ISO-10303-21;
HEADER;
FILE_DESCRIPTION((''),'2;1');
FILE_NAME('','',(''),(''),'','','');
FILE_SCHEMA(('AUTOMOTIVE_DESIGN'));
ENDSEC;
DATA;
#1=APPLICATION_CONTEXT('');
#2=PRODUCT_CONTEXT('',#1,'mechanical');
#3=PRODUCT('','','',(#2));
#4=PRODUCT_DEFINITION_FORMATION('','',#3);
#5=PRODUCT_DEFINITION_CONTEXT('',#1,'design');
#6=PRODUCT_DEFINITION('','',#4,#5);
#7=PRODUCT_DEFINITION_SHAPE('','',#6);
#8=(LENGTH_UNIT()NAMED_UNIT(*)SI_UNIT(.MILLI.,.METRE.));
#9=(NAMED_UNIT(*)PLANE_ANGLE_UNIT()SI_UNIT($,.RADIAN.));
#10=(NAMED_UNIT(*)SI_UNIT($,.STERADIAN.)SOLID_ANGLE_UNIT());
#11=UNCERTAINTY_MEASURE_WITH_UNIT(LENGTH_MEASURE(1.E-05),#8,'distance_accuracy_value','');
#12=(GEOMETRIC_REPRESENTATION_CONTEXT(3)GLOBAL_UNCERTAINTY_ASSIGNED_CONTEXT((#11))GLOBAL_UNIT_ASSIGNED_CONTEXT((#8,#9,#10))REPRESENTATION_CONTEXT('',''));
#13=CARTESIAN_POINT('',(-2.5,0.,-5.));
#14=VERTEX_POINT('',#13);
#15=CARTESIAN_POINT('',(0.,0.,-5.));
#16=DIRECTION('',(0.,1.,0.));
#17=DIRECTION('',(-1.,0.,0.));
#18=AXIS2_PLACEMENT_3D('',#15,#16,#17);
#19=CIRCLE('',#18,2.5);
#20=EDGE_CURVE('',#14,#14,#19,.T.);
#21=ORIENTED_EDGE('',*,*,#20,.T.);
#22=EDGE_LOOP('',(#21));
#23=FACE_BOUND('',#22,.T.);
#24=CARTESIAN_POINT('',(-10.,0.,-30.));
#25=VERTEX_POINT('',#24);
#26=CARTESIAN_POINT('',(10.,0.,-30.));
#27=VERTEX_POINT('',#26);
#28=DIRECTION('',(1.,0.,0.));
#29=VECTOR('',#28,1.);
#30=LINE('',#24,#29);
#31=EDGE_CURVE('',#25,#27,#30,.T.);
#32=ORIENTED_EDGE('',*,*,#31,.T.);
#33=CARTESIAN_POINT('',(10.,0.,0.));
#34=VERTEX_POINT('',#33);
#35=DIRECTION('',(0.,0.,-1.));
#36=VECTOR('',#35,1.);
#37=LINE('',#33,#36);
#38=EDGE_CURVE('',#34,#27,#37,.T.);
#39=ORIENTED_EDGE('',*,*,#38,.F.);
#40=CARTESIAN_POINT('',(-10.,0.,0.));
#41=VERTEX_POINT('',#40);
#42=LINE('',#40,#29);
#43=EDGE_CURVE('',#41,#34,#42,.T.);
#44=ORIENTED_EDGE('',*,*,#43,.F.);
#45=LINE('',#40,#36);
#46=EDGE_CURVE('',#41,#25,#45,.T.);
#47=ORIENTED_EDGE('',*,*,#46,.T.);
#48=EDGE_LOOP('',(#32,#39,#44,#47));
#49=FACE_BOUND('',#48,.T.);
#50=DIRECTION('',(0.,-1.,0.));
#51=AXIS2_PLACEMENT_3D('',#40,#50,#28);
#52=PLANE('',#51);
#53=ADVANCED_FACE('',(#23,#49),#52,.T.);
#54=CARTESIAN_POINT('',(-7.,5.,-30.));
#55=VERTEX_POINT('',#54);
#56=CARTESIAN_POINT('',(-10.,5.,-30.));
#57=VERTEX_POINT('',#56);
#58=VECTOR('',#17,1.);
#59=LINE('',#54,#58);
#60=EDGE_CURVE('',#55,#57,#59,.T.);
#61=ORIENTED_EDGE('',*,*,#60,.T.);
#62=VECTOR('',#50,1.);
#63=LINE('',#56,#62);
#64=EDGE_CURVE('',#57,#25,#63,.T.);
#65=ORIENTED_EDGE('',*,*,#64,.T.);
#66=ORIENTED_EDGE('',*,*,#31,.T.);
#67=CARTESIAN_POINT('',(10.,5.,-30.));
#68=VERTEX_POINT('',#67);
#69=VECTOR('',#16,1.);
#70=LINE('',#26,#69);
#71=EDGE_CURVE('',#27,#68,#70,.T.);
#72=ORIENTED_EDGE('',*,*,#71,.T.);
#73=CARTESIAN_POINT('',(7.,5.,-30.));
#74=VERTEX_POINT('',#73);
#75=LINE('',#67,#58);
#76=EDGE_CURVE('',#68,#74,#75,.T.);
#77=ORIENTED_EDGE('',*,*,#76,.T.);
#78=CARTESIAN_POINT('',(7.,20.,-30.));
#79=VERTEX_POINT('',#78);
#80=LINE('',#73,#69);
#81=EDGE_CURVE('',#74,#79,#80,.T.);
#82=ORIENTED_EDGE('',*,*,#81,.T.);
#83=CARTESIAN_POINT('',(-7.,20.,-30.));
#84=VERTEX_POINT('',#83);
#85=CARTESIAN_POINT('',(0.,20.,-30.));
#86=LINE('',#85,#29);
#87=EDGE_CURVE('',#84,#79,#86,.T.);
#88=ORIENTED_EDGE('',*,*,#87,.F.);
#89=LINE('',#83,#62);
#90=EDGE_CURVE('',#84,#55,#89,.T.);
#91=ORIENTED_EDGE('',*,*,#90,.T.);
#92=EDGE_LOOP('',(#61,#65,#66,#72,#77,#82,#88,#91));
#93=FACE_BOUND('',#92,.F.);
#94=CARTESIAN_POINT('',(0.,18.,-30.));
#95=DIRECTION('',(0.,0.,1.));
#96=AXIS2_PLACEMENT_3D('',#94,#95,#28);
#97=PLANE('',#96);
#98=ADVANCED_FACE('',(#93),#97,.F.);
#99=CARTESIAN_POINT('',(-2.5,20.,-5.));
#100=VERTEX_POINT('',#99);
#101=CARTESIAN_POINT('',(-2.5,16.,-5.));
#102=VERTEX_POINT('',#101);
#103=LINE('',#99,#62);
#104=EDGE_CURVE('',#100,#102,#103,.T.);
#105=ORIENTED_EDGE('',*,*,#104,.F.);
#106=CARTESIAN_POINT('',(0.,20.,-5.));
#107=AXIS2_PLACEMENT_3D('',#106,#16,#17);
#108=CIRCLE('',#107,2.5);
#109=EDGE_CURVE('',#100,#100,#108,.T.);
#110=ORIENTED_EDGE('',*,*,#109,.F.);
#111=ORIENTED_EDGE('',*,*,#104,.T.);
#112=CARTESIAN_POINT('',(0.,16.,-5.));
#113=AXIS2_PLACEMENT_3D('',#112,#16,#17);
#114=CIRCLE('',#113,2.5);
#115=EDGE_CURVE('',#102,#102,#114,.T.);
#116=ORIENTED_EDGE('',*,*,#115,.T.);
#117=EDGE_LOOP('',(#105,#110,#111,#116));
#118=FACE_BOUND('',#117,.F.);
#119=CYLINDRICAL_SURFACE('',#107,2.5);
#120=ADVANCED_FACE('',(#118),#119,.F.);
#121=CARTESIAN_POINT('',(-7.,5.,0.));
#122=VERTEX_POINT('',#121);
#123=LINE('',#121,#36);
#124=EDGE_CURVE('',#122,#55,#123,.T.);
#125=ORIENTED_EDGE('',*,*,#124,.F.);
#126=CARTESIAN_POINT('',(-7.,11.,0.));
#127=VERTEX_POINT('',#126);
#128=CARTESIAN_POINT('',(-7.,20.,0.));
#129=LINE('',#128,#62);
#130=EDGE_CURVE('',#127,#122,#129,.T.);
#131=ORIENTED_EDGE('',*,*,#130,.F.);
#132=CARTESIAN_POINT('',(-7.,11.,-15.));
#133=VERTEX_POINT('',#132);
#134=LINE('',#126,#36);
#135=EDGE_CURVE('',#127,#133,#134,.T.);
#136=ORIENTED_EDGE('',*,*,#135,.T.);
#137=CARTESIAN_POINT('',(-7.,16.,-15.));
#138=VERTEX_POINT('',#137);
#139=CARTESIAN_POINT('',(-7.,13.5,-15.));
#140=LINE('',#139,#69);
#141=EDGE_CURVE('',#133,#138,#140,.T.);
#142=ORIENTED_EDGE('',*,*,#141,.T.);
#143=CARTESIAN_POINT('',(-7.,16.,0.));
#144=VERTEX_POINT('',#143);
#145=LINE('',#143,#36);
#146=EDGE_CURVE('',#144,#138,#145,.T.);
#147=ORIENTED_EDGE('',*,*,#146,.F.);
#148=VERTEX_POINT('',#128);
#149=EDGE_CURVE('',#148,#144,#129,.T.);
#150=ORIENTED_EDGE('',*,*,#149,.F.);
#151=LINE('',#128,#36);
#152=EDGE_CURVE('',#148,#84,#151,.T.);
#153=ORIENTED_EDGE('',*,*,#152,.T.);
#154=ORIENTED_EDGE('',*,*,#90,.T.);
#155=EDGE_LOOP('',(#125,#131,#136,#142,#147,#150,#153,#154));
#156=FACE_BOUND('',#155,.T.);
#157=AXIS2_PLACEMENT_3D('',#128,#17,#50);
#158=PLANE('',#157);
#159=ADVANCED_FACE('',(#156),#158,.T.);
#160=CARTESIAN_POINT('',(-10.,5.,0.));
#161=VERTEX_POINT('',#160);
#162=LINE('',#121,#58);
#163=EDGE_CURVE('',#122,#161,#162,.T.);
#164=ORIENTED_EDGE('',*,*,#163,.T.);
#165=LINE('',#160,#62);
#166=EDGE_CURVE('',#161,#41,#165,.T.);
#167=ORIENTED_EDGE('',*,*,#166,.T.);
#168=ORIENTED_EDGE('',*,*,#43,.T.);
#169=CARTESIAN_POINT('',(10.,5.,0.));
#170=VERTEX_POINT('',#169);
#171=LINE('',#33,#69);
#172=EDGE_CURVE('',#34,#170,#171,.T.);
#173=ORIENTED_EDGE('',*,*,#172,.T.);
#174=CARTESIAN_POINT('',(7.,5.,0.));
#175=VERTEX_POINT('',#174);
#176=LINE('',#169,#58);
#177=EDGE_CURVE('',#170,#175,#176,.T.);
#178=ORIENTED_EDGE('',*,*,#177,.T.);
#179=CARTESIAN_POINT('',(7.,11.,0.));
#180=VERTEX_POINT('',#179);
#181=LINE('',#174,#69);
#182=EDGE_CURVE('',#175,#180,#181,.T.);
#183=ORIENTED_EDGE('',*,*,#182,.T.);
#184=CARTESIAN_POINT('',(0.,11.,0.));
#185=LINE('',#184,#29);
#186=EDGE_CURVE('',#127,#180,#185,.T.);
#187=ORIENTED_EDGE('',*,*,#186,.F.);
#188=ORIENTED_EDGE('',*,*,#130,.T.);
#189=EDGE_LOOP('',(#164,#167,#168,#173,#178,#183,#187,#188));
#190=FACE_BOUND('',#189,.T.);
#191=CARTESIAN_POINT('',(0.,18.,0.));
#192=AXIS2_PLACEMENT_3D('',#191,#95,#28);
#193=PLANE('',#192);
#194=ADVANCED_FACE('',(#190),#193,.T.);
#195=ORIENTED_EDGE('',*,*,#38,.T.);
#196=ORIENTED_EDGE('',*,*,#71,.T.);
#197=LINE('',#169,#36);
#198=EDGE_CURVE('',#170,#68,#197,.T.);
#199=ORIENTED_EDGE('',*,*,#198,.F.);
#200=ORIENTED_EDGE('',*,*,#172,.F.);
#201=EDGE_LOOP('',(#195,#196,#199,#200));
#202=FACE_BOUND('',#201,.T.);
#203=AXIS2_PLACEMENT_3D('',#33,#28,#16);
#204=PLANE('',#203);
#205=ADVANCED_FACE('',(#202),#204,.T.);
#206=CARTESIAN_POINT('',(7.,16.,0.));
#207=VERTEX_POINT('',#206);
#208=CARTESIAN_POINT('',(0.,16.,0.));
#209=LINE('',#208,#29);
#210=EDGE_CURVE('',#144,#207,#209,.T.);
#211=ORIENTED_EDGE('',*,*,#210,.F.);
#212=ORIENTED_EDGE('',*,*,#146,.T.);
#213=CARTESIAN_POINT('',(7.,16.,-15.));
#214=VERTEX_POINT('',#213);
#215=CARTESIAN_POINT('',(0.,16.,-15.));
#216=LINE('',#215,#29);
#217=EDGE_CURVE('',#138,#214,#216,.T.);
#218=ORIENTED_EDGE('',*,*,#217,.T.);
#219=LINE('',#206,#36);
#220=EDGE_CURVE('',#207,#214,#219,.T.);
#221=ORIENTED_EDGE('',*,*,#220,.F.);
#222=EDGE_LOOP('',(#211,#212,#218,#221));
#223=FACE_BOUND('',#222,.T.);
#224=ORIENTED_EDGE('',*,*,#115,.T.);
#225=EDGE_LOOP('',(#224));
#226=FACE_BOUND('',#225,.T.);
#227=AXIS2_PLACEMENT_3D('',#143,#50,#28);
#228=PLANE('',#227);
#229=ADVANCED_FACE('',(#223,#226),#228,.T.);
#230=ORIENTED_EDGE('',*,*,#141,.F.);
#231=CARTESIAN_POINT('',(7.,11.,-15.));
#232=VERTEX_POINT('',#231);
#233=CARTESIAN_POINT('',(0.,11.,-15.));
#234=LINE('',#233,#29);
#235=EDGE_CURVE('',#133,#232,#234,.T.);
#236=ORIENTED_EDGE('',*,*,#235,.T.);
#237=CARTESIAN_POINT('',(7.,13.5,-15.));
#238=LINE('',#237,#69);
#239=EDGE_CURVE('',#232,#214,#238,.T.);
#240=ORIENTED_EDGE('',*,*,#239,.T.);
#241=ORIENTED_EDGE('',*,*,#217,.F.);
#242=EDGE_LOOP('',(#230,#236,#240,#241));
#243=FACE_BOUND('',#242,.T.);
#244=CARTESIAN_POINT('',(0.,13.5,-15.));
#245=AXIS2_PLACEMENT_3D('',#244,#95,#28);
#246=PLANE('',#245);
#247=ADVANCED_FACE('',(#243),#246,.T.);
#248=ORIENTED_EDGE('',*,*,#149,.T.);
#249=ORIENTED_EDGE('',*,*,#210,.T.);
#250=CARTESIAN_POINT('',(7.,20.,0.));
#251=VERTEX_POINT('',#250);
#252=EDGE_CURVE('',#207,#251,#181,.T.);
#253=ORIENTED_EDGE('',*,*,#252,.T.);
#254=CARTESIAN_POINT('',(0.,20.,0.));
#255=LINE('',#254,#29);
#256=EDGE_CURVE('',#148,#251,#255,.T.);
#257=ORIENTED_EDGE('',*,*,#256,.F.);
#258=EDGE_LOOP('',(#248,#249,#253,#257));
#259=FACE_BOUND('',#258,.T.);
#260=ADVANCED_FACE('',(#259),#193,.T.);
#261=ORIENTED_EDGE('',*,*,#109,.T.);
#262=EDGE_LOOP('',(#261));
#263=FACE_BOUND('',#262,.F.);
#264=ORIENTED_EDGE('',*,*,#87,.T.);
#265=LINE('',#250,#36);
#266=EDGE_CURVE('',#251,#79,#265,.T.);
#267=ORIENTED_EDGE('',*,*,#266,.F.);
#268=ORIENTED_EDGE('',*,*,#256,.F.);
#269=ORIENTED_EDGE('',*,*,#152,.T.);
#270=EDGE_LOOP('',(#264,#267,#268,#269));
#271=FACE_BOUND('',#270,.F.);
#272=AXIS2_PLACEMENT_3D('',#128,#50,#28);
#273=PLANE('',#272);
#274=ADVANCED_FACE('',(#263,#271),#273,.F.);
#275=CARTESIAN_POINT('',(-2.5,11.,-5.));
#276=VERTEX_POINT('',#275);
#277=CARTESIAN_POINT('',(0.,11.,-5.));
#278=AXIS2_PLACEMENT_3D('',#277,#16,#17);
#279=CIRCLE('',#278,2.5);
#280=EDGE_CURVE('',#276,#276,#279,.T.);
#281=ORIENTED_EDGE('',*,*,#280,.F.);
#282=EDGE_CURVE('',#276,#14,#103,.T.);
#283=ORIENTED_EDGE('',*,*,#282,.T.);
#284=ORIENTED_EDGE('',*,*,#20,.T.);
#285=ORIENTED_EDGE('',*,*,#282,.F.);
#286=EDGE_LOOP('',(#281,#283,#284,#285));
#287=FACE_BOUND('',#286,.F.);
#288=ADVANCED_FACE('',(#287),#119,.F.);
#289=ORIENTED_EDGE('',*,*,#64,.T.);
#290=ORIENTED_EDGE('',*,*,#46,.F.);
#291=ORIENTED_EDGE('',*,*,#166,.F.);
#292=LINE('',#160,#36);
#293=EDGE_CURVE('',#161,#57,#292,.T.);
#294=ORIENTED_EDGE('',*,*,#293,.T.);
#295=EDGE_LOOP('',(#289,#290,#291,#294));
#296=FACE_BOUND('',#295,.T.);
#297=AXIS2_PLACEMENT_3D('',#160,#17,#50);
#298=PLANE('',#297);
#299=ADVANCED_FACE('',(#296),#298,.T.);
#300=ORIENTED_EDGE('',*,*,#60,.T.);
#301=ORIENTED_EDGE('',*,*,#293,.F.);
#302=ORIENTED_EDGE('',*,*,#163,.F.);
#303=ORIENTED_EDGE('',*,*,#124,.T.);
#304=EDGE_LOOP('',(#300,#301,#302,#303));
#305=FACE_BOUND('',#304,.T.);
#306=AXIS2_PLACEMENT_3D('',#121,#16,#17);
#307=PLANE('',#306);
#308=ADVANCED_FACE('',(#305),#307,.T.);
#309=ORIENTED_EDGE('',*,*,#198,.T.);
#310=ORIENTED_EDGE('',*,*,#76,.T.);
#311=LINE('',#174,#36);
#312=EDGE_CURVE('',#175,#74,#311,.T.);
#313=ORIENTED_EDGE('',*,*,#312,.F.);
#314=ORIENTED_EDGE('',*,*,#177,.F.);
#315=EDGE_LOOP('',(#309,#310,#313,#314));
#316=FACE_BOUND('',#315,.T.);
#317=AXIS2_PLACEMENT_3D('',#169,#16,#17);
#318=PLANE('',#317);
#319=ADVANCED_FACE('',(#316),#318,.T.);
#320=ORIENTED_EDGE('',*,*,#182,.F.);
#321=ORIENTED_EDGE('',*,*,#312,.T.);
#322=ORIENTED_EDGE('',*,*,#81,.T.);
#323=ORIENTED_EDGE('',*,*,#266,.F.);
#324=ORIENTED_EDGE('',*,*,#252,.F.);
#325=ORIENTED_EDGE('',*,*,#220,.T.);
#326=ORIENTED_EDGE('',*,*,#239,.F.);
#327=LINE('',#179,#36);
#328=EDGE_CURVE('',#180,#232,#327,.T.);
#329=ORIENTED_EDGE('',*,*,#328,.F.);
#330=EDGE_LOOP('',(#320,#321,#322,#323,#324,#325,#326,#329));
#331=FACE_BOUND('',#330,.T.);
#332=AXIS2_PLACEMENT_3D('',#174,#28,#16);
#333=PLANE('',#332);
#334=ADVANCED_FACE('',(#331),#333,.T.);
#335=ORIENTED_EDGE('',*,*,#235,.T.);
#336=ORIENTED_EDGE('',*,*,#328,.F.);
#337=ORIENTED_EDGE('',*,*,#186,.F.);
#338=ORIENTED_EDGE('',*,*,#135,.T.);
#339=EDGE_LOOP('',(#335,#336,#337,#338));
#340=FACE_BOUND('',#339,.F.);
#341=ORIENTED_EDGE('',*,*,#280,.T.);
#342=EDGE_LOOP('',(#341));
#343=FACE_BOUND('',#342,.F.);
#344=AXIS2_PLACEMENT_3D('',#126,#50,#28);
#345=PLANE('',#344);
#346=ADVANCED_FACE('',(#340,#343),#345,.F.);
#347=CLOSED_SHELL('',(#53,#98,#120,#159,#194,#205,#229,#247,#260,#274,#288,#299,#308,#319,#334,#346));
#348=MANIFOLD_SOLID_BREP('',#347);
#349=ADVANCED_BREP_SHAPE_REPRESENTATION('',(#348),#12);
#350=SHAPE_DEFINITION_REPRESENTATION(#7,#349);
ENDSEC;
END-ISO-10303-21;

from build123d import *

# Parameters (mm, degrees)
F0_W     = 14
F0_H     = 4
F0_H_2   = 5
F1_DEPTH = 30
F2_W     = 14
F2_H     = 5
F3_DEPTH = 15
F4_R     = 2.5
F5_DEPTH = 25


with BuildPart() as f1:
    # F0 (on Top) → F1 (new body)
    with BuildSketch(Plane.XY):
        with Locations((0, 18)):
            Rectangle(F0_W, F0_H)
        with Locations((0, 13.5)):
            Rectangle(F0_W, F0_H_2)
        Polygon((-10, 5), (-10, 0), (10, 0), (10, 5), (7, 5), (7, 11), (-7, 11), (-7, 5), align=None)
    extrude(amount=-F1_DEPTH)

    # F2 (on face) → F3 (cut)
    with BuildSketch(Plane.XY):
        with Locations((0, 13.5)):
            Rectangle(F2_W, F2_H)
    extrude(amount=-F3_DEPTH, mode=Mode.SUBTRACT)

    # F4 (on face) → F5 (cut)
    with BuildSketch(Plane(origin=(0, 20, 0), x_dir=(-1, 0, 0), z_dir=(0, 1, 0))):
        with Locations((0, -5)):
            Circle(F4_R)
    extrude(amount=-F5_DEPTH, mode=Mode.SUBTRACT)


solid = f1.part
